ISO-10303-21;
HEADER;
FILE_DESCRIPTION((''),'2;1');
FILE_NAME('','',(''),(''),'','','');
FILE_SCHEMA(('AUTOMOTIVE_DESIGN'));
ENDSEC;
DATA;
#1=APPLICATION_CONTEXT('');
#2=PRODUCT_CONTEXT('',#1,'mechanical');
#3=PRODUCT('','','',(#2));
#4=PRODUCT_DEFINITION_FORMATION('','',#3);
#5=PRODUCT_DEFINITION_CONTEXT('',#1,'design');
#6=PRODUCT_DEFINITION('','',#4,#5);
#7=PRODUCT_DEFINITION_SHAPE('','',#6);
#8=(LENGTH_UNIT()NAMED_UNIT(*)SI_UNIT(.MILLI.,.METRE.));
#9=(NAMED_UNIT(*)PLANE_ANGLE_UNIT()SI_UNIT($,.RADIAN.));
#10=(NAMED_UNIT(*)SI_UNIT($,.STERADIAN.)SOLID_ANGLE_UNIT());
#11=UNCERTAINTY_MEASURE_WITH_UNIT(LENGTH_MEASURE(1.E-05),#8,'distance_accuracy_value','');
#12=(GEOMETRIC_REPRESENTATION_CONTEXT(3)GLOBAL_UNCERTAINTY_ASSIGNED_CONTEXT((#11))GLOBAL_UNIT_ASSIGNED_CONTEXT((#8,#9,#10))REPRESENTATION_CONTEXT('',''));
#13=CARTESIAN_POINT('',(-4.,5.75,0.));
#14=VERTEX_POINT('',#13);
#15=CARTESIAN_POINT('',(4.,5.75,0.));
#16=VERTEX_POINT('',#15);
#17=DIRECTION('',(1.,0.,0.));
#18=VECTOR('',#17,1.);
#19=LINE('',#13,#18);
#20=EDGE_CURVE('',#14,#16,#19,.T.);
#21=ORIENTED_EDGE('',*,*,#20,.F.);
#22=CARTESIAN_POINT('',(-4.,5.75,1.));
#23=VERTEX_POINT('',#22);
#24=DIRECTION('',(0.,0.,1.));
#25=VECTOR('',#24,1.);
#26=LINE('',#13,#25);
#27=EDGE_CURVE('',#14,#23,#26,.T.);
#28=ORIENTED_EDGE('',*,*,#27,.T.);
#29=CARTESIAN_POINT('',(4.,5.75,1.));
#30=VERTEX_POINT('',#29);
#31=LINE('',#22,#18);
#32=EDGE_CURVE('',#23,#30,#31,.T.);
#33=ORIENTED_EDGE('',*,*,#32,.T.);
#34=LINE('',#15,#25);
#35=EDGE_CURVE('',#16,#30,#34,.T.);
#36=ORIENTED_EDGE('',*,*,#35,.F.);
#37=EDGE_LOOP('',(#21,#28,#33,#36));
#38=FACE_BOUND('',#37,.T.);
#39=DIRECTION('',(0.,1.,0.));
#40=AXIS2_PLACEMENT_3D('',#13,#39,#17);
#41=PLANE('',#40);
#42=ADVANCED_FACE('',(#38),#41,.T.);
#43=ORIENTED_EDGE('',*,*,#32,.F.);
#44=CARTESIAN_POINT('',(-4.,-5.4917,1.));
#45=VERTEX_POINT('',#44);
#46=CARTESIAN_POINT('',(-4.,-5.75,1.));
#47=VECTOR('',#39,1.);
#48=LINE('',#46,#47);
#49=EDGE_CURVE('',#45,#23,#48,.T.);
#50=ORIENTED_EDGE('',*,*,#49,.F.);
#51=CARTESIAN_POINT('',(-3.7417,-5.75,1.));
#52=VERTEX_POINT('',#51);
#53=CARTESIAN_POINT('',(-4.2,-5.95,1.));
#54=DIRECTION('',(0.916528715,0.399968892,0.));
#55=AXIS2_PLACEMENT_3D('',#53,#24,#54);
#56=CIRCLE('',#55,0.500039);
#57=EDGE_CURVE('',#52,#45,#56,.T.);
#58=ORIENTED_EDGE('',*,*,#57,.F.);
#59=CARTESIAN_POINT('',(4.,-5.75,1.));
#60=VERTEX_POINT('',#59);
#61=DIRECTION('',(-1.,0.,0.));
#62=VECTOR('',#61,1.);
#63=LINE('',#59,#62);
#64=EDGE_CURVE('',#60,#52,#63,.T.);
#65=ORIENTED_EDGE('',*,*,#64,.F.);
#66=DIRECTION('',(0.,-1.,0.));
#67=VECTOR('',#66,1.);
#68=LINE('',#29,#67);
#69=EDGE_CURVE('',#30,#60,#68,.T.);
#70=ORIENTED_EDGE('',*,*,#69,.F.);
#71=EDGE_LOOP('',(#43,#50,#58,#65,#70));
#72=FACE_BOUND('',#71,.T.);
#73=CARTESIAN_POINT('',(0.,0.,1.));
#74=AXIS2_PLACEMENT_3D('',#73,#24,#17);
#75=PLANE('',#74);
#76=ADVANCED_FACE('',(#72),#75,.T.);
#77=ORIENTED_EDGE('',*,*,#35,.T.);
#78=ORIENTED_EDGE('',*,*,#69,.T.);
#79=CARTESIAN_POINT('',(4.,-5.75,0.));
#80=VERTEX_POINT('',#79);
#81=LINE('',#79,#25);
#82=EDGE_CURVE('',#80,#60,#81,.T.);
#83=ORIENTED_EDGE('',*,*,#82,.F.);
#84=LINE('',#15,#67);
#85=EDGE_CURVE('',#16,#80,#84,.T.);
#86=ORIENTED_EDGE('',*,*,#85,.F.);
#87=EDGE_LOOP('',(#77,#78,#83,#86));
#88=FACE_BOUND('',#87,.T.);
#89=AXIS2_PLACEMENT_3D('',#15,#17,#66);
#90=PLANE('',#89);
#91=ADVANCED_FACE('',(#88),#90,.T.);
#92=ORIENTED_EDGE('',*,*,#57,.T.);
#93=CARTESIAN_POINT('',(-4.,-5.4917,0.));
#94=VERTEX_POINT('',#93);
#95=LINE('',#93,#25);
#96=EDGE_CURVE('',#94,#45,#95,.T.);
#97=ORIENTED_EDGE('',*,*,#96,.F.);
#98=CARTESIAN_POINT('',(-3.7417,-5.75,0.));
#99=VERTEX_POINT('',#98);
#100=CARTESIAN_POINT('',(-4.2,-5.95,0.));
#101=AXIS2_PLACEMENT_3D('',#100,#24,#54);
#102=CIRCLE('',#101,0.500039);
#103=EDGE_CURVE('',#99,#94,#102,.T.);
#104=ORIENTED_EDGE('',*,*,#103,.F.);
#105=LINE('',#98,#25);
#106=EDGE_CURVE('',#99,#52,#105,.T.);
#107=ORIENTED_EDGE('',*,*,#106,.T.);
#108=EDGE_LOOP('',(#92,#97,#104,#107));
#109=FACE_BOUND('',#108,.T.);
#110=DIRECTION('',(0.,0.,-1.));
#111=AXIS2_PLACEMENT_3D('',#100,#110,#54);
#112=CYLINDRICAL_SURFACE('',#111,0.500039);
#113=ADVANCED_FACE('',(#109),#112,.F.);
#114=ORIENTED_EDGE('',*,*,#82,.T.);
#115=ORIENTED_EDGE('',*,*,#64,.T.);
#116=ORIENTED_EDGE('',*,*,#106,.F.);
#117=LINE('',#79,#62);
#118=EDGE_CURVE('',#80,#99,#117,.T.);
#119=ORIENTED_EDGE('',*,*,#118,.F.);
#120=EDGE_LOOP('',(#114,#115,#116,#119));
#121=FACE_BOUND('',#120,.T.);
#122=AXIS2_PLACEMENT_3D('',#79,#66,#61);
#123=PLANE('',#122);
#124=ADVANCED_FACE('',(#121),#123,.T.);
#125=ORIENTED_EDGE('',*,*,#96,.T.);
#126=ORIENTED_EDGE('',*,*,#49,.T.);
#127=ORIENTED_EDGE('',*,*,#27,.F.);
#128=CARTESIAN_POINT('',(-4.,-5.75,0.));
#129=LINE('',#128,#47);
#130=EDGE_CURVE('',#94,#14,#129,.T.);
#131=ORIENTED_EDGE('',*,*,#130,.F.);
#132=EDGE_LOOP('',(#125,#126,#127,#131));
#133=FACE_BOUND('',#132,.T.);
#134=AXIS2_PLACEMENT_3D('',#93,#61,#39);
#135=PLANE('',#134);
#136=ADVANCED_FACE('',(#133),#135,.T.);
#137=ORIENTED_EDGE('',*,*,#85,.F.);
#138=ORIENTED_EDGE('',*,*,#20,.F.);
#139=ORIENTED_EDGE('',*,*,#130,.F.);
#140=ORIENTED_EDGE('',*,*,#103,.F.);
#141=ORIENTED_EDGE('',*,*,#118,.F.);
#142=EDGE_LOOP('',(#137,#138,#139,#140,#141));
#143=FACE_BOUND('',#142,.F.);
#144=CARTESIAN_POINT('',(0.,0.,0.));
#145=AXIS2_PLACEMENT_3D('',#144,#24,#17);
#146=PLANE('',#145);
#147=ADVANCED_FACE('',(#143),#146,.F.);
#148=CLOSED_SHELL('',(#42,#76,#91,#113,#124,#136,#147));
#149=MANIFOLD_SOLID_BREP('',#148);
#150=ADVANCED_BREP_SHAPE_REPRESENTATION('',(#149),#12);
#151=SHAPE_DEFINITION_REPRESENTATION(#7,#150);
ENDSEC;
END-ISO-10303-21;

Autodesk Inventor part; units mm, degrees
ref_plane "YZ Plane" through (0, 0, 0) normal (1, 0, 0) x (0, 1, 0)
ref_plane "XZ Plane" through (0, 0, 0) normal (0, 1, 0) x (-1, 0, 0)
ref_plane "XY Plane" through (0, 0, 0) normal (0, 0, 1) x (1, 0, 0)
sketch "Sketch1" plane through (0, 0, 0) normal (0, 0, 1) x (1, 0, 0)
  line L0 (-4, 5.75) -> (4, 5.75)
  line L1 (4, 5.75) -> (4, -5.75)
  line L2 (4, -5.75) -> (-4, -5.75)
  line L3 (-4, -5.75) -> (-4, 5.75)
  arc A0 (-3.7417, -5.75) -> (-4, -5.4917) centre (-4.2, -5.95) ccw
  point P0 (0, 0)
  point P1 (0, 5.75)
  point P2 (-4, 0)
  dimension "d8" = 8
  dimension "d9" = 11.5
  dimension "d13" = 0.5
  dimension "d14" = 0.2
  dimension "d15" = 0.2
extrude "Extrusion1" add sketch "Sketch1" along normal blind 1 contours L0 L1 L2 A0 L3
sketch "Sketch2" plane through (0, 0, 1) normal (0, 0, 1) x (1, 0, 0)
  line L0 (4, 5.75) -> (-4, 5.75) projected
  line L1 (-4.1655, 5.7775) -> (4.3538, 5.7775) construction
  line L2 (4.3538, 5.7775) -> (4.3538, -5.6803) construction
  line L3 (4.3538, -5.6803) -> (-4.1655, -5.6803) construction
  line L4 (-4.1655, -5.6803) -> (-4.1655, 5.7775) construction
  point P0 (0, 0)
decal "Decal1"
sketch "Sketch3" plane through (0, 0, 0) normal (0, 0, -1) x (-1, 0, 0)
  line L0 (4.2324, 5.7095) -> (4.2324, -5.753) construction
  line L1 (4.2324, -5.753) -> (-4.1099, -5.753) construction
  line L2 (-4.1099, -5.753) -> (-4.1099, 5.7095) construction
  line L3 (-4.1099, 5.7095) -> (4.2324, 5.7095) construction
  line L4 (3.7417, -5.75) -> (-4, -5.75) projected
  point P0 (0, 0)
decal "Decal2"
sketch "Sketch4" plane through (0, 0, 0) normal (0, 0, -1) x (-1, 0, 0)
  point P0 (0, 0)
equation "\"d15\" = d14"
properties part number "touchsensor"
